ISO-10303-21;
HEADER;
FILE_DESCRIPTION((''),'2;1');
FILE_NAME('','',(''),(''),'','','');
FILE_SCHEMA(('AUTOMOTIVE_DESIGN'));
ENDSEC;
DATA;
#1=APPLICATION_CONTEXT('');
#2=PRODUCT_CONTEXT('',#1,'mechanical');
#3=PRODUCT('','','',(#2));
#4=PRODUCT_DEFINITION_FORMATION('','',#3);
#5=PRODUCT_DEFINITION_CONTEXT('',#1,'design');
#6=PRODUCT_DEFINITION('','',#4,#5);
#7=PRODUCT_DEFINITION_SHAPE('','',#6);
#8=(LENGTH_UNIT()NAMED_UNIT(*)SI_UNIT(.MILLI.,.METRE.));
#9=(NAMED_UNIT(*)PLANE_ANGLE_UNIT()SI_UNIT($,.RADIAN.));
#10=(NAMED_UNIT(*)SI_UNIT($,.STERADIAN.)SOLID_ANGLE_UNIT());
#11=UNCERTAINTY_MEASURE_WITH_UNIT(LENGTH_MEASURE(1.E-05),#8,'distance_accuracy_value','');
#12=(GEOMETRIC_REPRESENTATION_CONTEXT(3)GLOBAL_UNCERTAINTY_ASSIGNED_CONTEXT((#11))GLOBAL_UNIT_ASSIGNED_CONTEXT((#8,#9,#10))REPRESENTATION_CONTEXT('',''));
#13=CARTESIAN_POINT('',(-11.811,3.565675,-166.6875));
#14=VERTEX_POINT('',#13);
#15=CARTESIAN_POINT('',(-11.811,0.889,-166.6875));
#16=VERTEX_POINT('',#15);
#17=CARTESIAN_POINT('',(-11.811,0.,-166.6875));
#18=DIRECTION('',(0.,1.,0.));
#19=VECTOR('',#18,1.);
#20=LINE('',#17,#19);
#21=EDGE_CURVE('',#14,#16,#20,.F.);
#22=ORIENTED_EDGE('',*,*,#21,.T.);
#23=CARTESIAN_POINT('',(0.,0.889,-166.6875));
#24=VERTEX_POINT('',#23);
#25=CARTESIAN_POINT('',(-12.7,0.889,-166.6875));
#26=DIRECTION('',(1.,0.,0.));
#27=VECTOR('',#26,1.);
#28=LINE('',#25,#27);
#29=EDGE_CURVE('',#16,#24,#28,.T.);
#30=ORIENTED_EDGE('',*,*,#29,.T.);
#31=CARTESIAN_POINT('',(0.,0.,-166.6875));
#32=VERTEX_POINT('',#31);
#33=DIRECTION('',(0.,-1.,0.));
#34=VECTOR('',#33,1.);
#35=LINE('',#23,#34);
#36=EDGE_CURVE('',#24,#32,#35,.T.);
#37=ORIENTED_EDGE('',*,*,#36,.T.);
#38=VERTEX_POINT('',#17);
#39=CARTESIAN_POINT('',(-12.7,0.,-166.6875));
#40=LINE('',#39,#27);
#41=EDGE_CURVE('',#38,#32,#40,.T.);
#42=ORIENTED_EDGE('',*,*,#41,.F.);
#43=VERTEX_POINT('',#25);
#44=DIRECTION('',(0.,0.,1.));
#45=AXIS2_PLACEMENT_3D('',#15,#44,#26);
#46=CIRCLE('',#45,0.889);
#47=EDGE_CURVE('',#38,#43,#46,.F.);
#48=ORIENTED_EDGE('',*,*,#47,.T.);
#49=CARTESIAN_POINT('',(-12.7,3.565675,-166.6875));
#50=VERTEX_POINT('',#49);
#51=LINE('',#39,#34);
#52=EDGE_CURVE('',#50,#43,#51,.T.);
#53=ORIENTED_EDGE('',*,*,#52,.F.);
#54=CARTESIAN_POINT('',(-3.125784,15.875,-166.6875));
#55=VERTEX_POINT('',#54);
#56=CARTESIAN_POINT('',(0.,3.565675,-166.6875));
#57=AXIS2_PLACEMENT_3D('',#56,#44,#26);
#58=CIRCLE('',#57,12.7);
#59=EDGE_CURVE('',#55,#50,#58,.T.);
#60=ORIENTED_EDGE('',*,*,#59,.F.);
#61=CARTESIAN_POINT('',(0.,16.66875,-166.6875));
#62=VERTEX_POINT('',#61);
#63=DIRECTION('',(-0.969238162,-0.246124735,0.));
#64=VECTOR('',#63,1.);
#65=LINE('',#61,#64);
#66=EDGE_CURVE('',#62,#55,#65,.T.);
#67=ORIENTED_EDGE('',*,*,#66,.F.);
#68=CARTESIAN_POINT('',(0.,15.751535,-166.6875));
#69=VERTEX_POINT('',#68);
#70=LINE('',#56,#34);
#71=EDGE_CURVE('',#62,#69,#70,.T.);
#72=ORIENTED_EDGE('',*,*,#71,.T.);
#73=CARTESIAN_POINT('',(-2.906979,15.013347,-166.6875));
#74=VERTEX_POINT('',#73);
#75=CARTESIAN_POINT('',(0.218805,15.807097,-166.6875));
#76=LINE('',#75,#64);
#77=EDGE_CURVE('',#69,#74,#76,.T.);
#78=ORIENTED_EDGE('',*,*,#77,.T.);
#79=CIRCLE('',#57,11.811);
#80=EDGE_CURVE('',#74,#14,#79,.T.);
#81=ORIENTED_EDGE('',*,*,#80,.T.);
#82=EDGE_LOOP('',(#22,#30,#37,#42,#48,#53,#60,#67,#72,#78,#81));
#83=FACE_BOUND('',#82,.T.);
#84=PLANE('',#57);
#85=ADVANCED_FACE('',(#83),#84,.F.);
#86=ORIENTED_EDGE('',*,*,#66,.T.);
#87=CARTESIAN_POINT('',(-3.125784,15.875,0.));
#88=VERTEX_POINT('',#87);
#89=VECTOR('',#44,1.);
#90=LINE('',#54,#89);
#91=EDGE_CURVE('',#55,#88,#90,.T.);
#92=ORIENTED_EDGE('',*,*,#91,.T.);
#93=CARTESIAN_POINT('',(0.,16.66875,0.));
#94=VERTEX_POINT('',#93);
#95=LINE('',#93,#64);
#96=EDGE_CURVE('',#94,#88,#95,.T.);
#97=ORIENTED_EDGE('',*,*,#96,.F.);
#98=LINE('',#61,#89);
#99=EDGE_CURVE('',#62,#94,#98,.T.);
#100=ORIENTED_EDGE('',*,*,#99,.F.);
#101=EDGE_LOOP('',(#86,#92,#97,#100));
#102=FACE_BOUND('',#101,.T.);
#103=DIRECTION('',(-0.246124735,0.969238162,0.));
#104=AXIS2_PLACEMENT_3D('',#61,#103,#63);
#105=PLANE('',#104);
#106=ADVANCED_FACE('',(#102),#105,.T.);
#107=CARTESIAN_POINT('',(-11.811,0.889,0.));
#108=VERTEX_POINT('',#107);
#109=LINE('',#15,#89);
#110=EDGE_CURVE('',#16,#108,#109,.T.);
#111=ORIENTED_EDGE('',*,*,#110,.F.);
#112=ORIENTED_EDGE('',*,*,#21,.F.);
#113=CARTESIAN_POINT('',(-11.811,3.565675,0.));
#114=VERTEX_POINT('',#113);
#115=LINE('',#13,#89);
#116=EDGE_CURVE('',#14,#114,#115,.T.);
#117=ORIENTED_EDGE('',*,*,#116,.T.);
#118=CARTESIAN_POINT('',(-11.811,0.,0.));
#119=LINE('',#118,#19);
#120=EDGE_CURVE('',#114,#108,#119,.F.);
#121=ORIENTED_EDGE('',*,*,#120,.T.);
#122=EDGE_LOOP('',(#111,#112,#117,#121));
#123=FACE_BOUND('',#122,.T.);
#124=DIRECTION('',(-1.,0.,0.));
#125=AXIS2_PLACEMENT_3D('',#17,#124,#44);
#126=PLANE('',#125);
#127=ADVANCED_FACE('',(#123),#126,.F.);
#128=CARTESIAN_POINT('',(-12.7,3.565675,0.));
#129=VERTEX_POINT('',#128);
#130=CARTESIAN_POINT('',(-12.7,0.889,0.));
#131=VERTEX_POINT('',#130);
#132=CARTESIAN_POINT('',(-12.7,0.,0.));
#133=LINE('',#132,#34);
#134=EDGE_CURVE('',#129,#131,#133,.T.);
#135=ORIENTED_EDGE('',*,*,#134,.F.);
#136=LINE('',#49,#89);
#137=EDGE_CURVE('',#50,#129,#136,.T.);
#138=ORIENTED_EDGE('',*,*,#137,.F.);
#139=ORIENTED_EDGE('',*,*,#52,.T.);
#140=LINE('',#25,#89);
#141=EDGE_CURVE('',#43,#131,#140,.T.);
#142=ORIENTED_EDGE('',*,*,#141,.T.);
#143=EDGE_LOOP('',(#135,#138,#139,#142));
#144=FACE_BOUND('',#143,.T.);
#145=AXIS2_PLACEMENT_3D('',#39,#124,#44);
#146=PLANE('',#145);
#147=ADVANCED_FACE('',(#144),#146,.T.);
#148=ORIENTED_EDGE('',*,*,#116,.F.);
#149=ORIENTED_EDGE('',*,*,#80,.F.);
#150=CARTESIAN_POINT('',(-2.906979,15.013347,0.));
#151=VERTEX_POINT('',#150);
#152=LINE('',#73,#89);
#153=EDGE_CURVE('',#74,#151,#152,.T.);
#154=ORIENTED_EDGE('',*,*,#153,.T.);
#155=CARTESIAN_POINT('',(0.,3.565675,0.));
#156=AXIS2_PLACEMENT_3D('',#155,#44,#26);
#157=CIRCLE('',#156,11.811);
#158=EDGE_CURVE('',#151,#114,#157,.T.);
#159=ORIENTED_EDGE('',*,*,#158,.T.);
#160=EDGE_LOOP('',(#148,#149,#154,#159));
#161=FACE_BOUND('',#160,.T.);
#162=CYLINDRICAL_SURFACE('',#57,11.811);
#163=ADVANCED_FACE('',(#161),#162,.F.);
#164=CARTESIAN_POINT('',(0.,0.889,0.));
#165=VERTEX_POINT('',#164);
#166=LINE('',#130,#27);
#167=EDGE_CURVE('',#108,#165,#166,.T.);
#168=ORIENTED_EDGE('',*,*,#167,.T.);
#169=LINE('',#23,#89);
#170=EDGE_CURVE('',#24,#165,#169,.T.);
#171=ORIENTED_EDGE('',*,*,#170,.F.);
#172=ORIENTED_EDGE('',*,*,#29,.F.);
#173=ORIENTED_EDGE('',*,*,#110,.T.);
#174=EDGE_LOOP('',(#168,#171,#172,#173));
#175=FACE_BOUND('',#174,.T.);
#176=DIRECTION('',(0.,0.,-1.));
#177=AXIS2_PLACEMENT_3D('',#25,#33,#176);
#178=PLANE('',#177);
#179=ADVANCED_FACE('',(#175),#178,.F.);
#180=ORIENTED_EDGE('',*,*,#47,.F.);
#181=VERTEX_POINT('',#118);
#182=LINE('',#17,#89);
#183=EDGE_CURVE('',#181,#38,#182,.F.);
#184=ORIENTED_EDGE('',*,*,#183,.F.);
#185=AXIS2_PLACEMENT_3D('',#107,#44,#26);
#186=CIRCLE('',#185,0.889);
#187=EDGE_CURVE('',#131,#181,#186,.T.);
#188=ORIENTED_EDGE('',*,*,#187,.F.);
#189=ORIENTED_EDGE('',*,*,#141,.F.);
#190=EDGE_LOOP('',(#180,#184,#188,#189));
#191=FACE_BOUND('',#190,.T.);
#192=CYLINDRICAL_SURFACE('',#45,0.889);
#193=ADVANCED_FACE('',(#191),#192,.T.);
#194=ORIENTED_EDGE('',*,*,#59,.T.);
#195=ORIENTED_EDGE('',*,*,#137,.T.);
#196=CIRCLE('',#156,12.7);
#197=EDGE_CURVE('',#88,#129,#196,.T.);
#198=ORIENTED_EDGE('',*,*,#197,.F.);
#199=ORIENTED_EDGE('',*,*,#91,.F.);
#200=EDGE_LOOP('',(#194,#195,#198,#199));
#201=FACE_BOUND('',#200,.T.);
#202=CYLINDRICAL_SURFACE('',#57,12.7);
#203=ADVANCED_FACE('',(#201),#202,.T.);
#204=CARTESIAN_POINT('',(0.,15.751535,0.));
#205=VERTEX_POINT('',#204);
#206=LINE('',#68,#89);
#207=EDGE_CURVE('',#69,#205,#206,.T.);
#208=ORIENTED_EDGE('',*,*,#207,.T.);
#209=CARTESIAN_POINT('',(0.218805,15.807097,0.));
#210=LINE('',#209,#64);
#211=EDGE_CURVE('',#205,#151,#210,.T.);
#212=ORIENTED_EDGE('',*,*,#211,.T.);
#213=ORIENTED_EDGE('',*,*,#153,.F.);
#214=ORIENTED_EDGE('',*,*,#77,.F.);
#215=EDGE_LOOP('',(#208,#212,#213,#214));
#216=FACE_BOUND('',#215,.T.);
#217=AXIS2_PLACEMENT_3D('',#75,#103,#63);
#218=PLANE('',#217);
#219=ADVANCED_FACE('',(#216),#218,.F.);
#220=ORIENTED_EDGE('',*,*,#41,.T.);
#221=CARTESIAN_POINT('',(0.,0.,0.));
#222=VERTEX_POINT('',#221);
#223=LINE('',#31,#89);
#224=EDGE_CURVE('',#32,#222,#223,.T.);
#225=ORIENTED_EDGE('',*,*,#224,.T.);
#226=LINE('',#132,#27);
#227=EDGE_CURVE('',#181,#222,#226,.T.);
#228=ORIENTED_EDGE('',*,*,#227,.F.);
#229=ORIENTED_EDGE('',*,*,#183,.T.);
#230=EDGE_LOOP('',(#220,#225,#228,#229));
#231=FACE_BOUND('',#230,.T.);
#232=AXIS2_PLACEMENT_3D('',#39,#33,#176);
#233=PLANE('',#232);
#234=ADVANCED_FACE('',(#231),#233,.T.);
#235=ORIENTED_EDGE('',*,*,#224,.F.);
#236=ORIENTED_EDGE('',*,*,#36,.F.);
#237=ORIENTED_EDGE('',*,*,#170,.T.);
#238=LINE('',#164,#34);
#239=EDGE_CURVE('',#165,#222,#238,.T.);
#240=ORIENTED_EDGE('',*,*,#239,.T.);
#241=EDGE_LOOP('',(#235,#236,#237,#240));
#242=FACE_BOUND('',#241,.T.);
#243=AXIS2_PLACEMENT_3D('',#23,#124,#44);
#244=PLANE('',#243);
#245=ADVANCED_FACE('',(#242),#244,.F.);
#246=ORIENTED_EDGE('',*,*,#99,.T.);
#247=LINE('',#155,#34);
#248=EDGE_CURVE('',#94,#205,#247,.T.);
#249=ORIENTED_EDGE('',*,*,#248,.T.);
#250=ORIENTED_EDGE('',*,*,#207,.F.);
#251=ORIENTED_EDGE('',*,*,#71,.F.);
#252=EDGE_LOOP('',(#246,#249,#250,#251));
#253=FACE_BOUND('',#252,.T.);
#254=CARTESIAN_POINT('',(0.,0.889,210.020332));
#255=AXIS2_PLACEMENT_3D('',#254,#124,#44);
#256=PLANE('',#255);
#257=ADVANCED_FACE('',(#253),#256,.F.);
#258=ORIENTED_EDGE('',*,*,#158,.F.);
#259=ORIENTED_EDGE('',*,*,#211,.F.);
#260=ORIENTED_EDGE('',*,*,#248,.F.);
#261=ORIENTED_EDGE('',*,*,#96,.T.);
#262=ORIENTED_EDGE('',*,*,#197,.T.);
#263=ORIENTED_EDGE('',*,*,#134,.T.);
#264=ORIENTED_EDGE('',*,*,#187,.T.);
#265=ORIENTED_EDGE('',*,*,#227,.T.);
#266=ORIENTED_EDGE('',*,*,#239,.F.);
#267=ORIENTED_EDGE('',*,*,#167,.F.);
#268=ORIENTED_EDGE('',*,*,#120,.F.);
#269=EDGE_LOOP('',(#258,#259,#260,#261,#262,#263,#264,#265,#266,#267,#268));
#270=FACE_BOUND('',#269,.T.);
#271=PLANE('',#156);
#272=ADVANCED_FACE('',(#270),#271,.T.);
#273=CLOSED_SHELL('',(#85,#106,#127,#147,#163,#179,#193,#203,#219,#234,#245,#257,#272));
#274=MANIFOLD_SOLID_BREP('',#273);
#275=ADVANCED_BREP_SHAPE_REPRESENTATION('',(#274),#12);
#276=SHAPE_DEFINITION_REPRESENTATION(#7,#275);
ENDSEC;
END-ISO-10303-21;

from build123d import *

# Parameters (mm, degrees)
EXTRUDE_THIN1_DEPTH     = 166.6875
FILLET1_R               = 0.889
CUT_EXTRUDE1_DEPTH      = 1
CUT_EXTRUDE1_DEPTH_BACK = 167.6875


with BuildPart() as part:
    # Sketch1 → Extrude-Thin1 (new body)
    with BuildSketch(Plane.XY):
        with BuildLine():
            Line((0, 16.66875), (-3.125784133, 15.875))
            ThreePointArc((-3.125784133, 15.875), (-10.024656066, 11.362871681), (-12.7, 3.565675341))
            Line((-12.7, 3.565675341), (-12.7, 0))
            Line((-12.7, 0), (0, 0))
            Line((0, 0), (0, 0.889))
            Line((0, 0.889), (-11.811, 0.889))
            Line((-11.811, 0.889), (-11.811, 3.565675341))
            ThreePointArc((-11.811, 3.565675341), (-9.322930142, 10.817067937), (-2.906979244, 15.013347274))
            Line((-2.906979244, 15.013347274), (0.218804889, 15.807097274))
            Line((0.218804889, 15.807097274), (0, 16.66875))
        make_face()
    extrude(amount=-EXTRUDE_THIN1_DEPTH)

    # Fillet1
    fillet1_edges = [part.edges().sort_by_distance(p)[0] for p in [
        (-12.7, 0, -83.34375),
    ]]
    fillet(fillet1_edges, radius=FILLET1_R)

    # Sketch2 → Cut-Extrude1 (cut, two sides)
    with BuildSketch(Plane.XY) as cut_extrude1_sk:
        Polygon((0, -55.634586178), (0, 0.889), (0, 19.48899735), (0, 76.012583528), (113.047172356, 76.012583528), (113.047172356, -55.634586178), align=None)
    extrude(amount=CUT_EXTRUDE1_DEPTH, mode=Mode.SUBTRACT)
    extrude(cut_extrude1_sk.sketch, amount=-CUT_EXTRUDE1_DEPTH_BACK, mode=Mode.SUBTRACT)


solid = part.part
